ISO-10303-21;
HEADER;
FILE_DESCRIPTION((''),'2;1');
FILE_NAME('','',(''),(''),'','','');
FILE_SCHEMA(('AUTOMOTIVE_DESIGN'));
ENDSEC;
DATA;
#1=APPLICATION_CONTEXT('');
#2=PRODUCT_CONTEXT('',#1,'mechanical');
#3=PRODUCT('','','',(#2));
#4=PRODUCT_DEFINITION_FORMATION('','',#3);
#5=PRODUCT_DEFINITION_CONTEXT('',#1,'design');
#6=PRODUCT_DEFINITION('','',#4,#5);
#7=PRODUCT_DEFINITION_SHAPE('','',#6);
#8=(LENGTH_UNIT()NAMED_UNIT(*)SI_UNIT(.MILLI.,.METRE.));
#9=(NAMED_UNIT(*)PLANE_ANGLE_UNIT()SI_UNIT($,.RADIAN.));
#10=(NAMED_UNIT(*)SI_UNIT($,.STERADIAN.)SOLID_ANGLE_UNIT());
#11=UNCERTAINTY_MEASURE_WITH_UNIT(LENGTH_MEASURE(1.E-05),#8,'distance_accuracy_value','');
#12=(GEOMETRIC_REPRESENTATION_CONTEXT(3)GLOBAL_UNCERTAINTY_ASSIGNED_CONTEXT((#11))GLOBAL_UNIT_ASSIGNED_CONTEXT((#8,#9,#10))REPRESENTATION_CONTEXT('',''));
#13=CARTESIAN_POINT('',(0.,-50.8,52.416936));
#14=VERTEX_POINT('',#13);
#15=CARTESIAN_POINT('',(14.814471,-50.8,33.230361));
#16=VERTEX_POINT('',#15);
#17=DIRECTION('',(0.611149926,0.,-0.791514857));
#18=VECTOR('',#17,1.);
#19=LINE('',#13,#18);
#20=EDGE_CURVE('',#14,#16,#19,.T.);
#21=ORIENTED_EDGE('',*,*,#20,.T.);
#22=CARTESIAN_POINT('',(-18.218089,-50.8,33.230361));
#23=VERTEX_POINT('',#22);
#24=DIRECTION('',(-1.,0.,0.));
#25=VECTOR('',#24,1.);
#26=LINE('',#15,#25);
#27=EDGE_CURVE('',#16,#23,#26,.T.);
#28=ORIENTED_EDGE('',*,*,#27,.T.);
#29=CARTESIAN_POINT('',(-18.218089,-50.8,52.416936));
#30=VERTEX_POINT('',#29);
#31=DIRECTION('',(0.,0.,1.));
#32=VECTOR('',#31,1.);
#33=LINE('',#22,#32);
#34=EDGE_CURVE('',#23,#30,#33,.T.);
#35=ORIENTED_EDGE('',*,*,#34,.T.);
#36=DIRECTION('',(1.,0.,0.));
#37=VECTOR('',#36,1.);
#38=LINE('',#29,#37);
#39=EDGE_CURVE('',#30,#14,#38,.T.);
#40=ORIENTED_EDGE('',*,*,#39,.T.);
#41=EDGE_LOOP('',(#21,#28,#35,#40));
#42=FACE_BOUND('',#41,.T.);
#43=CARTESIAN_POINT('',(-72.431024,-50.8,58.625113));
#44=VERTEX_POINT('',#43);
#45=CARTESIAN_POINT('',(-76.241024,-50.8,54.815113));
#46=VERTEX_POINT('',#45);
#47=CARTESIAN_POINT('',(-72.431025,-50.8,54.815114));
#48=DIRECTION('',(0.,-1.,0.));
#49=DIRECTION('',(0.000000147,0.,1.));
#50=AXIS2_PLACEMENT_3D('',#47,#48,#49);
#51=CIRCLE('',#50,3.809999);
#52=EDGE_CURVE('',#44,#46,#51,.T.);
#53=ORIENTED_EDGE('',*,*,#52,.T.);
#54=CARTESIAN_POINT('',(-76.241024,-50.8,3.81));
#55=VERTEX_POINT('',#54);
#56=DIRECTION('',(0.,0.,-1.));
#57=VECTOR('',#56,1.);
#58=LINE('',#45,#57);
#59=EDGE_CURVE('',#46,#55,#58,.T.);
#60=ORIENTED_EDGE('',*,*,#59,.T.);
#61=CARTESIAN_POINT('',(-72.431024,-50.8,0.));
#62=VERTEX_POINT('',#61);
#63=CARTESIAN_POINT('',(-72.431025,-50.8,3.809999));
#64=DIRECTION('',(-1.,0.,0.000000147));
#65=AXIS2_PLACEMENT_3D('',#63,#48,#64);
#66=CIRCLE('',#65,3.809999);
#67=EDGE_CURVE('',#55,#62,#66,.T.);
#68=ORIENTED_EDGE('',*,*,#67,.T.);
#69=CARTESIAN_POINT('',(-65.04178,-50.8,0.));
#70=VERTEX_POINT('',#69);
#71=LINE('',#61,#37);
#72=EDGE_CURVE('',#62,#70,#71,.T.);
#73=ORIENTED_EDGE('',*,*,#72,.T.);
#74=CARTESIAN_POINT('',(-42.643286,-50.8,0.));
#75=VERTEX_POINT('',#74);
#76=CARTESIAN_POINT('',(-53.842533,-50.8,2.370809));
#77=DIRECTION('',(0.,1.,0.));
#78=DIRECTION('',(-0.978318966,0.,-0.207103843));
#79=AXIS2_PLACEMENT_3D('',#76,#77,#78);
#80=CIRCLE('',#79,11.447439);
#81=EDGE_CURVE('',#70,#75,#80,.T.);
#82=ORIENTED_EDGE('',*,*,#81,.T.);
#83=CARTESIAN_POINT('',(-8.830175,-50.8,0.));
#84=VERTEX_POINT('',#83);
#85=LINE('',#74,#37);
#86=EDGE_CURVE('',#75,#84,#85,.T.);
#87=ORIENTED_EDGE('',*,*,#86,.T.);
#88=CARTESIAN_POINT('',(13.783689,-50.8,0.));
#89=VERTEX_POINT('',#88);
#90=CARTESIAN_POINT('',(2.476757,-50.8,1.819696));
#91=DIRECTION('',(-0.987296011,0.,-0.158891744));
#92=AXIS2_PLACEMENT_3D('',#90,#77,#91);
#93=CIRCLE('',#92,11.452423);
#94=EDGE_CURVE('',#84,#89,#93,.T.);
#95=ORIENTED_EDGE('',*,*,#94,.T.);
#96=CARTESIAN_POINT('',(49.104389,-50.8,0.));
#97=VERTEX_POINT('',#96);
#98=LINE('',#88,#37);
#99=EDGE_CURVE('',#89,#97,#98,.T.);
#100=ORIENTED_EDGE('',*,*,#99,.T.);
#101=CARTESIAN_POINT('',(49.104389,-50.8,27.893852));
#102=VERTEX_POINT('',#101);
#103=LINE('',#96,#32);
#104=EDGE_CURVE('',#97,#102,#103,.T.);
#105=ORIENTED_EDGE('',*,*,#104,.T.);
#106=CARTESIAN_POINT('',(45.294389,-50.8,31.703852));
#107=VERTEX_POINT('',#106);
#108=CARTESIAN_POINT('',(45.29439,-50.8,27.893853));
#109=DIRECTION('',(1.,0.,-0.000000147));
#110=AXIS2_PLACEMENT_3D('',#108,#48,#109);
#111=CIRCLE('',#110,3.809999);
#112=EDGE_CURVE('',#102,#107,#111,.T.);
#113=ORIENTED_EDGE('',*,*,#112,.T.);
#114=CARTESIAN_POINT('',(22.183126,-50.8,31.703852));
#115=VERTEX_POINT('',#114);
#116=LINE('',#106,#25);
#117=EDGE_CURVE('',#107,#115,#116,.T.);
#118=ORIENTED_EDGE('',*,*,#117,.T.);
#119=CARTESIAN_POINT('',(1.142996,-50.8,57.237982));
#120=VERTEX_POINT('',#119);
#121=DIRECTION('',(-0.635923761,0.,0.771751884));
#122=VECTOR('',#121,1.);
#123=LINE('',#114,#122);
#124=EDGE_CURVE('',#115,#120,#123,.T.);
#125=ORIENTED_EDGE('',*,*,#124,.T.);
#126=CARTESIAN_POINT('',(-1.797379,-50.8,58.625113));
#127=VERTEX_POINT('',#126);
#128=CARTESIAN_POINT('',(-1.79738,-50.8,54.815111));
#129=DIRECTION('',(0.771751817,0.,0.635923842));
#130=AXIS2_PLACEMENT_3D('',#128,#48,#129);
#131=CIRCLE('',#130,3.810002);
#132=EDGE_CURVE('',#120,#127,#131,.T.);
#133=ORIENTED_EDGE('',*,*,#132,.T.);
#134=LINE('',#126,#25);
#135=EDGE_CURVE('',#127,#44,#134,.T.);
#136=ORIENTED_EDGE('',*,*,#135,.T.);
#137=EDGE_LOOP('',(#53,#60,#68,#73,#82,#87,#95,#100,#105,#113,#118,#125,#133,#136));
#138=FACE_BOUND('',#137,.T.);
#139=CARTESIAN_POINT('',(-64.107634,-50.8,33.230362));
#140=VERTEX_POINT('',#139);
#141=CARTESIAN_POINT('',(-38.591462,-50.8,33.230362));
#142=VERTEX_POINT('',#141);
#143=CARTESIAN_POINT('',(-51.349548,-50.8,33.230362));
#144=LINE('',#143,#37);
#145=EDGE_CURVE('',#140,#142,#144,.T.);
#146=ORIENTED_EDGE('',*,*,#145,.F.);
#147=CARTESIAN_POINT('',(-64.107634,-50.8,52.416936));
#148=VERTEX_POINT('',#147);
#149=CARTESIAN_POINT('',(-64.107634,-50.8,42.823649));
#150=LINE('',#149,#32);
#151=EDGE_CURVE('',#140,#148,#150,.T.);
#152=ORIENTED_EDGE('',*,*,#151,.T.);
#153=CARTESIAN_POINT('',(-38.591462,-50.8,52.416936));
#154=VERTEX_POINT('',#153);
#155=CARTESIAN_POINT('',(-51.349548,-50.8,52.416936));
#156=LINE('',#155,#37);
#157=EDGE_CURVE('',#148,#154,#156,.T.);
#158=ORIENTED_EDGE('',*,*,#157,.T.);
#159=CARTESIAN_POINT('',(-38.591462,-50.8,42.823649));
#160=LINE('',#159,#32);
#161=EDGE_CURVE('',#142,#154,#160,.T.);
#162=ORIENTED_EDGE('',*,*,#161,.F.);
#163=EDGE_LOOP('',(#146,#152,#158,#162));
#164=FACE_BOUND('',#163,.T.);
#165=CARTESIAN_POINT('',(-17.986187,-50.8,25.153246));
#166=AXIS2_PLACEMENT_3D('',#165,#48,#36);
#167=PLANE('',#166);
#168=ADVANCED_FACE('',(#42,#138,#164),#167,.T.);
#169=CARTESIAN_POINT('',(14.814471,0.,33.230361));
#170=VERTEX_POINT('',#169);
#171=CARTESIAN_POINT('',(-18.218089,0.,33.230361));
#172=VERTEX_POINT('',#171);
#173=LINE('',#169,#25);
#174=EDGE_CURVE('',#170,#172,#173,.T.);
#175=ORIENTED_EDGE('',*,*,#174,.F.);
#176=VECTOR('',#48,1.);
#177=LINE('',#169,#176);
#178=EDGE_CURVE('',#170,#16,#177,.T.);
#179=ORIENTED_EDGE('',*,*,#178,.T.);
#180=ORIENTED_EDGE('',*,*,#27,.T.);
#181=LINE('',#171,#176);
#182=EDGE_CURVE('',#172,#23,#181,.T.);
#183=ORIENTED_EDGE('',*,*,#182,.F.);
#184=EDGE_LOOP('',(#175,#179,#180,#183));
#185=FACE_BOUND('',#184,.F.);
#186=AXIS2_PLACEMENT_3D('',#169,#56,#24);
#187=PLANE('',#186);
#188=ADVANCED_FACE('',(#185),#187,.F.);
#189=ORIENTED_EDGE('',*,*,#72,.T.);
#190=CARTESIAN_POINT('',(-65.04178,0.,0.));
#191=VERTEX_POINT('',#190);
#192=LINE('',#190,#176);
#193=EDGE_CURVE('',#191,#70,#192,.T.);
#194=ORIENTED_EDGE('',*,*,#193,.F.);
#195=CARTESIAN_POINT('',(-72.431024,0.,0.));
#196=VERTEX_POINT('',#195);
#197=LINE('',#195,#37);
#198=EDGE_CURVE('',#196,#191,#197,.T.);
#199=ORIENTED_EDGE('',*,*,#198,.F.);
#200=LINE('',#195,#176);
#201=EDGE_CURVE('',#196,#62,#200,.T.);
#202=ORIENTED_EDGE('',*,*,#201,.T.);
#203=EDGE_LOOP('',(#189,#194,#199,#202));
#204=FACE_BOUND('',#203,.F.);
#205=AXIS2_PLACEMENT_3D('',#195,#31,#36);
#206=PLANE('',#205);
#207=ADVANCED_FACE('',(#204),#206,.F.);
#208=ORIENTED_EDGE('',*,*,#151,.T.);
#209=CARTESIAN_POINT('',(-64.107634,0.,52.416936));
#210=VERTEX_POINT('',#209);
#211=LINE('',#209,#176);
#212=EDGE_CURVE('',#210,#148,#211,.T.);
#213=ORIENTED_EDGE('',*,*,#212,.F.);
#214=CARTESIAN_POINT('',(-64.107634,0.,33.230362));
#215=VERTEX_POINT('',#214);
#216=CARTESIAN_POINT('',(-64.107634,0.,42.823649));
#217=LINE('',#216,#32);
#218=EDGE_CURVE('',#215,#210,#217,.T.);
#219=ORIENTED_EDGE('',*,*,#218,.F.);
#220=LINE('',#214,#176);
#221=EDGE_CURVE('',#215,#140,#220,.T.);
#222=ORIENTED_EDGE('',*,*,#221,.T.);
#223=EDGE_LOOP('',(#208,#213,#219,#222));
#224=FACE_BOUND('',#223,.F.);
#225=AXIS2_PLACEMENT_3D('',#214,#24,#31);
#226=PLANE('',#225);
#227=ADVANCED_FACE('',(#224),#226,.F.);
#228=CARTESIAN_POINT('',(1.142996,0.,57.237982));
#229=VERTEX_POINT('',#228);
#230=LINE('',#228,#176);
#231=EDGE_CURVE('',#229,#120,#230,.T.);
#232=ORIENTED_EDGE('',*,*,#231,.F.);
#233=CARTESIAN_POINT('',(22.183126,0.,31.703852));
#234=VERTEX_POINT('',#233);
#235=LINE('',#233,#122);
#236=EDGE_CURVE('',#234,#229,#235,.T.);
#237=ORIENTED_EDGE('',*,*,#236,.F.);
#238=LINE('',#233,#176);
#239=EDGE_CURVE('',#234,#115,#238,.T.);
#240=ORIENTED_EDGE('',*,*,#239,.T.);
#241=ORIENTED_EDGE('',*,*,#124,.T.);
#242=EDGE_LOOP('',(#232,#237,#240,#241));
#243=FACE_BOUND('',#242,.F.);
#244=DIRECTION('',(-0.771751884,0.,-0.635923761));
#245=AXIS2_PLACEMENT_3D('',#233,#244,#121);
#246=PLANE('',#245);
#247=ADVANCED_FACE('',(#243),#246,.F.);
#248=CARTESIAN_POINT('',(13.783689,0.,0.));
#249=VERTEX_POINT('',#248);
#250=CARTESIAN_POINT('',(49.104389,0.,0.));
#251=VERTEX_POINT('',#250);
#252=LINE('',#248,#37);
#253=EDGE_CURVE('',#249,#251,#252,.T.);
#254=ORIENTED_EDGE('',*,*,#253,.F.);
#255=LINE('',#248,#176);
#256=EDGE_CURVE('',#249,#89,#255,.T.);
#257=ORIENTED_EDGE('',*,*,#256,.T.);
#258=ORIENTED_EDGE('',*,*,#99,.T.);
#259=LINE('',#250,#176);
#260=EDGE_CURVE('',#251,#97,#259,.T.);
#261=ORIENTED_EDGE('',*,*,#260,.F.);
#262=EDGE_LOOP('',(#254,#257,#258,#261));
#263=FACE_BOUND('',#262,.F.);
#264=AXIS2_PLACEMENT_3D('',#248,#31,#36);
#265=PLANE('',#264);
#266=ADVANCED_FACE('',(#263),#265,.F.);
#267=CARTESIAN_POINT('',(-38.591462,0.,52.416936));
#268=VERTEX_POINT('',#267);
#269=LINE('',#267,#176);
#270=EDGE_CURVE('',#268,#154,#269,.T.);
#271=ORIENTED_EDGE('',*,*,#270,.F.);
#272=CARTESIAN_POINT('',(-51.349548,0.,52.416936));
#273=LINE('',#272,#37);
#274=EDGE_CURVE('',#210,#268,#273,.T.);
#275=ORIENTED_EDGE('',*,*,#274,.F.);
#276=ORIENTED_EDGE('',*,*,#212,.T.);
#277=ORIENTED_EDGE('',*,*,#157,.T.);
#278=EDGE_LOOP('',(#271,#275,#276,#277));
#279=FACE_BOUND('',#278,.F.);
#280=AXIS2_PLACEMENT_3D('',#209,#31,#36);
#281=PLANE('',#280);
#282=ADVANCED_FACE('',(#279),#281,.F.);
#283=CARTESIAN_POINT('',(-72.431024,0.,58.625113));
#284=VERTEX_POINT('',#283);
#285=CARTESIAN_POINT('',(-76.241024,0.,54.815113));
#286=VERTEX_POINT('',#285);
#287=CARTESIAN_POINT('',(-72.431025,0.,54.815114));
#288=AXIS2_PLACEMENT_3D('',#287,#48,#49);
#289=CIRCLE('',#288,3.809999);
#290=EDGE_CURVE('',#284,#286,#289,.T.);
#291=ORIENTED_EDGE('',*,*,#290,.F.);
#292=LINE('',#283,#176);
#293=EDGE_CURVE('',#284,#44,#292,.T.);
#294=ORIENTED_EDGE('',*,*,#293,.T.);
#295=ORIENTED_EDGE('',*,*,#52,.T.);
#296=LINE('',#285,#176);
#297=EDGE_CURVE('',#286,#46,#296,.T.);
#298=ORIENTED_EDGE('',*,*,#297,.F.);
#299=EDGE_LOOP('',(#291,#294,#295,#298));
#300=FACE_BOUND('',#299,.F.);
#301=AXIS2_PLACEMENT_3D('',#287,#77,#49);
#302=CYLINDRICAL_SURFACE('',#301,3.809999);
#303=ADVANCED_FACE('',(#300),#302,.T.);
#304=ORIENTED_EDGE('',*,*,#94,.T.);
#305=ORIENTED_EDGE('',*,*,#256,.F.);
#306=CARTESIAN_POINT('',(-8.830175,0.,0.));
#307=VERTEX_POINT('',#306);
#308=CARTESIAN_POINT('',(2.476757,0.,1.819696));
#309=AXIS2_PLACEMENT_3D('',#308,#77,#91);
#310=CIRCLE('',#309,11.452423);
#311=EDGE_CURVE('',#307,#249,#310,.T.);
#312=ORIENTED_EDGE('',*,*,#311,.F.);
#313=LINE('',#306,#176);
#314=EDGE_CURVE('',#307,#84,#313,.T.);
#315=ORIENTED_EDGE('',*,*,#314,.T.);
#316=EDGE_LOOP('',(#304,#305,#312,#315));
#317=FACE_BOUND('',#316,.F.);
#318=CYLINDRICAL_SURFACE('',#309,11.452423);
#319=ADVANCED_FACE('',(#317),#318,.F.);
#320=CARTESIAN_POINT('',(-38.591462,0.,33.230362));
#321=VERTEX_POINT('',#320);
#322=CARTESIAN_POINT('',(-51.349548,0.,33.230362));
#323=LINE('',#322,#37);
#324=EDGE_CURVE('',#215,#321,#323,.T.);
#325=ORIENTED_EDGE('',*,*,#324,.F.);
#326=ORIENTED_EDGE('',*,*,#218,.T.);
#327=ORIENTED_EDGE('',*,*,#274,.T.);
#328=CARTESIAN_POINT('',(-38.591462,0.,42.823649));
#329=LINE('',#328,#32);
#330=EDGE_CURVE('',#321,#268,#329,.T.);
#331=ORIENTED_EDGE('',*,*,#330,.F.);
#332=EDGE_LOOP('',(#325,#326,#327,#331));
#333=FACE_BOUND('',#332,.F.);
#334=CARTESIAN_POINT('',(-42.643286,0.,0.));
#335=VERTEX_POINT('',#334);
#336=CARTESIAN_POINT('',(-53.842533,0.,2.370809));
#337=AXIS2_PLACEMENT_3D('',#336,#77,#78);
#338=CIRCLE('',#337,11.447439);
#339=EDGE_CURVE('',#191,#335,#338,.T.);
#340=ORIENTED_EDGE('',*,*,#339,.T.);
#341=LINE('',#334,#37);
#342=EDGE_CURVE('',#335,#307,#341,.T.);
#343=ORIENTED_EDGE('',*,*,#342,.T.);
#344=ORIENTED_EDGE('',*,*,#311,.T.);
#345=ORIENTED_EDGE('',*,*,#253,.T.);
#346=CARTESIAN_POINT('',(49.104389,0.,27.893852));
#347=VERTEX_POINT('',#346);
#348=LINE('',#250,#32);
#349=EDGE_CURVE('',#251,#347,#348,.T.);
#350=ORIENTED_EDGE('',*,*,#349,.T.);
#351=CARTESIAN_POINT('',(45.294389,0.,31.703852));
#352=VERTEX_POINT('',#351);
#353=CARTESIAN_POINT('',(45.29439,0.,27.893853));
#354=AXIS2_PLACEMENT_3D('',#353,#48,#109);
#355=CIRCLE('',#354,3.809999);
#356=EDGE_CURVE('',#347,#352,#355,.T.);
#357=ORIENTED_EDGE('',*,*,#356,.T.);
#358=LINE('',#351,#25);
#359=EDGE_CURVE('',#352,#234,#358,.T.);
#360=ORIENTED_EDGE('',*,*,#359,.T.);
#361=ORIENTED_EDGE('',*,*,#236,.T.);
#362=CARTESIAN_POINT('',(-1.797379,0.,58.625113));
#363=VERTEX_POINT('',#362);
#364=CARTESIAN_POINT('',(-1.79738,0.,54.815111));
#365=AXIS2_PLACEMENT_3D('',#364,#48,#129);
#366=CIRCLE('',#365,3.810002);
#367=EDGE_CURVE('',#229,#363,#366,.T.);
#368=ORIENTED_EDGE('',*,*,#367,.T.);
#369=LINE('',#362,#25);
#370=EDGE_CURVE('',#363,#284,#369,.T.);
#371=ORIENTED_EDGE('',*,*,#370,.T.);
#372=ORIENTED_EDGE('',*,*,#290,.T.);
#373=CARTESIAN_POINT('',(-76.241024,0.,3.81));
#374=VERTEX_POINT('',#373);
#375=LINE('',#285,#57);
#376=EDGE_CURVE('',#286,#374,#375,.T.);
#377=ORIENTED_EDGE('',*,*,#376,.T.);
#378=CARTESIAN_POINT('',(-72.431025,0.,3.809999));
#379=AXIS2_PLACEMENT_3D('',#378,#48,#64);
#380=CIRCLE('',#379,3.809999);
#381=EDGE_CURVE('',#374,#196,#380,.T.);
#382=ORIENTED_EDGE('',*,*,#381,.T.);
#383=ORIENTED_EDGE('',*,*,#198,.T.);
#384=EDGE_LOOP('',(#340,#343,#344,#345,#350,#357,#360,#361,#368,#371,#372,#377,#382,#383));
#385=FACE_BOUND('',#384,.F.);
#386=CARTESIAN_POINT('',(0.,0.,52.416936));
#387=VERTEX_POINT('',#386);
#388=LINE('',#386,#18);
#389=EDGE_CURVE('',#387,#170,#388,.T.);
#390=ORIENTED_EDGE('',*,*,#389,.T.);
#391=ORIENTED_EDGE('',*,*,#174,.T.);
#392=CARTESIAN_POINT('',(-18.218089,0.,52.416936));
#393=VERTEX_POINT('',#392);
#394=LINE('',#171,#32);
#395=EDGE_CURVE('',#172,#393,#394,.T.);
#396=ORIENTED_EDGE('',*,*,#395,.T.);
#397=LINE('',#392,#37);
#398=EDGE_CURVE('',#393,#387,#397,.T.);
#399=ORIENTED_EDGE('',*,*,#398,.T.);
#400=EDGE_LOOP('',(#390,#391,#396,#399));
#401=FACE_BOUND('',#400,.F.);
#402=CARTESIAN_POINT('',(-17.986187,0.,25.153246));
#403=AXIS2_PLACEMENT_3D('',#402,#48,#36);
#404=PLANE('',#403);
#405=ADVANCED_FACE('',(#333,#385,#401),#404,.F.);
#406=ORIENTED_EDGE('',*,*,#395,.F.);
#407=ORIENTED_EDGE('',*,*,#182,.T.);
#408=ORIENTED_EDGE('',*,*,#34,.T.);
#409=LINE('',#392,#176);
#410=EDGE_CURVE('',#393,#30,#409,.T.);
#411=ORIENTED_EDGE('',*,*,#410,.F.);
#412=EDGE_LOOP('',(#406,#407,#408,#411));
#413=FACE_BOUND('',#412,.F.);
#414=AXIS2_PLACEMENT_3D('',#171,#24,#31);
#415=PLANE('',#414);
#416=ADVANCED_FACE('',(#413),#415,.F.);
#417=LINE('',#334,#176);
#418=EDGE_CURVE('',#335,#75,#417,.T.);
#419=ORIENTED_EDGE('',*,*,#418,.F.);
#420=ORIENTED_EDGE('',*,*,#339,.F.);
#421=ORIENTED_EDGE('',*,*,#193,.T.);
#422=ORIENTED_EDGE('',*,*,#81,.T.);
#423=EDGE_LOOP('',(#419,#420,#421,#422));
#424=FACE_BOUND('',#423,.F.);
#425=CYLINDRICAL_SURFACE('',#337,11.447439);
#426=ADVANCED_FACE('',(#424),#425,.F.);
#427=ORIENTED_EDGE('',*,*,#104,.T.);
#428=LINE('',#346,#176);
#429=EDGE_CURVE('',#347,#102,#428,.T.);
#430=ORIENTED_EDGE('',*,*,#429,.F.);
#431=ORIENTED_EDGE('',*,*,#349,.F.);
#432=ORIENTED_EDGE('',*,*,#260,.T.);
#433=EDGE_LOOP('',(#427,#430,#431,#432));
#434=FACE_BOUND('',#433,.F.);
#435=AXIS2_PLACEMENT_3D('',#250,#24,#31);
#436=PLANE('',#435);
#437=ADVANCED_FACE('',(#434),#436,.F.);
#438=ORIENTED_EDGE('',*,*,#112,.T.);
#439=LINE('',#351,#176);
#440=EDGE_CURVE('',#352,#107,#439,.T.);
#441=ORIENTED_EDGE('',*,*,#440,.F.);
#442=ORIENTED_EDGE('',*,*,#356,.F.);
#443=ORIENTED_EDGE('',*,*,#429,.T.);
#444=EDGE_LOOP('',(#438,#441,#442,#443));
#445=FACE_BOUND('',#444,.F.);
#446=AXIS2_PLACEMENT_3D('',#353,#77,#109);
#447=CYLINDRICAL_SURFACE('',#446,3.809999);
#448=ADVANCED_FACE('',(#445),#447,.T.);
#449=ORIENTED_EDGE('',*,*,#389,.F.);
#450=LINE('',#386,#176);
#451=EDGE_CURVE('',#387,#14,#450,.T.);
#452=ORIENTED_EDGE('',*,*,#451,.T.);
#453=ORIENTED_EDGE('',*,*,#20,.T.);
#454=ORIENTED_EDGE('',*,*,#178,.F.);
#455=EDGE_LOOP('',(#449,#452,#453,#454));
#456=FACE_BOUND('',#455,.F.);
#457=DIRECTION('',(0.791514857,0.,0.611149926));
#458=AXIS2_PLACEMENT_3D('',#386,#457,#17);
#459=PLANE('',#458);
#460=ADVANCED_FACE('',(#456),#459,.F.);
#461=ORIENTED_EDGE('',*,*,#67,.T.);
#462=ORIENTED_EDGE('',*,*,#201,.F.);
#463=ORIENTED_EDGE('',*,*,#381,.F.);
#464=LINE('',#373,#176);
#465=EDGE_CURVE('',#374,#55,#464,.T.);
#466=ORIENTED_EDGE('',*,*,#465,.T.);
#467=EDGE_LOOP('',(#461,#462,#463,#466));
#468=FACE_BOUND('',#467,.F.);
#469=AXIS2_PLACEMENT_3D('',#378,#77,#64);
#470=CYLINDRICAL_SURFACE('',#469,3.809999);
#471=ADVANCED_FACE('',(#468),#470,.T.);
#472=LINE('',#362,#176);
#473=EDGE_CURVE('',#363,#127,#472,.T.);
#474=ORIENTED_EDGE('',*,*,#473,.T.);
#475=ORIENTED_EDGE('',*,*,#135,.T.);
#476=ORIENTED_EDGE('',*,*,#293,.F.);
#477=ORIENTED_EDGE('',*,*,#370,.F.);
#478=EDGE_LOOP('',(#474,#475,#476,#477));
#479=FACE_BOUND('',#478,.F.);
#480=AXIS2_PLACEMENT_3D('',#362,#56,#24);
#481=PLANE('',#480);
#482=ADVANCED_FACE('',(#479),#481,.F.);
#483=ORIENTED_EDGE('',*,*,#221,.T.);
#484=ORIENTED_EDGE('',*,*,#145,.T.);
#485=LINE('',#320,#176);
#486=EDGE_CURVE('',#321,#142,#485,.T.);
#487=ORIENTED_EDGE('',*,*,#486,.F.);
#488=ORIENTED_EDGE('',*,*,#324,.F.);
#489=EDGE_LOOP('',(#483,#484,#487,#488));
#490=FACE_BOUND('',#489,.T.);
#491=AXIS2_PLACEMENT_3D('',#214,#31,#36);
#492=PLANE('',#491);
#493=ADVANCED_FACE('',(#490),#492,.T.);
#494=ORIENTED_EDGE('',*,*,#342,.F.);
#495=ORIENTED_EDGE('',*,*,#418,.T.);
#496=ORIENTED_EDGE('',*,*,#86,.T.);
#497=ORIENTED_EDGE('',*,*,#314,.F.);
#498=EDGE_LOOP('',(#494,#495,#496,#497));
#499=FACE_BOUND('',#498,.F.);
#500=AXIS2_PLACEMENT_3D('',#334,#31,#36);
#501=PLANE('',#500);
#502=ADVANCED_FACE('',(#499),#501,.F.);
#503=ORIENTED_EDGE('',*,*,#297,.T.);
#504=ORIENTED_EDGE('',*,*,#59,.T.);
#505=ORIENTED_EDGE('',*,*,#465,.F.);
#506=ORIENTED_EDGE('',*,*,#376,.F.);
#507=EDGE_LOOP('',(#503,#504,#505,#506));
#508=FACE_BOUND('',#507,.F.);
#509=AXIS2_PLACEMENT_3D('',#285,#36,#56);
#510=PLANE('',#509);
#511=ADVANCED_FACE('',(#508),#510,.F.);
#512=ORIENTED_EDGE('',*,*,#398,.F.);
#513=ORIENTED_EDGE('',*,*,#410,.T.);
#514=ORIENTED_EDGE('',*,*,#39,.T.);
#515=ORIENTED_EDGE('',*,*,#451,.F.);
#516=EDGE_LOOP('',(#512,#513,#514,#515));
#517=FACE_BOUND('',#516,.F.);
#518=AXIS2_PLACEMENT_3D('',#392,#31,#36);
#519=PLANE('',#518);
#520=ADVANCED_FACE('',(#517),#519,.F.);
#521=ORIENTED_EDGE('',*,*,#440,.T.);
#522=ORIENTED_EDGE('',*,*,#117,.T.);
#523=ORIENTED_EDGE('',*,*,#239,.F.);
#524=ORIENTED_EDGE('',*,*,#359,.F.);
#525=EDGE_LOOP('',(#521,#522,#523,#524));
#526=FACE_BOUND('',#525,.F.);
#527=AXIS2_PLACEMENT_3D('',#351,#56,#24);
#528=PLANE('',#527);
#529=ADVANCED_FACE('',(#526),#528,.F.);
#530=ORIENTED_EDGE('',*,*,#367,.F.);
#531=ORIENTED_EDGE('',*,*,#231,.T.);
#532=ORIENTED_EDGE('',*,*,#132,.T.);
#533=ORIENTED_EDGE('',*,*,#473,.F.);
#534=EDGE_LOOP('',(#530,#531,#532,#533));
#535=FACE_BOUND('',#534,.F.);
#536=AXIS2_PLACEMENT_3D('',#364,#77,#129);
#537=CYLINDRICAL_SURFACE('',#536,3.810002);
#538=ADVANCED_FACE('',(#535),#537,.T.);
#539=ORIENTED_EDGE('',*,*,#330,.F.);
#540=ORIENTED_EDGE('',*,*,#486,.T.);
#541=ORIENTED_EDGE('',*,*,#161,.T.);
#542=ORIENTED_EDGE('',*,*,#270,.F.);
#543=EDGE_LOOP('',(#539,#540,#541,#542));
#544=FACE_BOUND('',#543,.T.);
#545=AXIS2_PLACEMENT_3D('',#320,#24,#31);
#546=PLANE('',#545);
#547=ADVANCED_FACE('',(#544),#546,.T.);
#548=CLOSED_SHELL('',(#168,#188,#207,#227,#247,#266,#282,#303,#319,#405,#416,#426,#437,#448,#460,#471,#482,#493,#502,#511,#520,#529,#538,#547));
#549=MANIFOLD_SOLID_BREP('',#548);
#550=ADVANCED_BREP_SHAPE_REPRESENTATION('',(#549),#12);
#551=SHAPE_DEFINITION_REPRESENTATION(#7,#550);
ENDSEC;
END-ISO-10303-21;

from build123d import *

# Parameters (mm, degrees)
F0_W     = 25.516171
F0_H     = 19.186575
F1_DEPTH = 50.8


with BuildPart() as f1:
    # F0 (on Front) → F1 (new body)
    with BuildSketch(Plane.XZ):
        with BuildLine():
            ThreePointArc((-72.431024, 58.625113), (-75.125101, 57.50919), (-76.241024, 54.815113))
            Line((-76.241024, 54.815113), (-76.241024, 3.81))
            ThreePointArc((-76.241024, 3.81), (-75.125101, 1.115923), (-72.431024, 0))
            Line((-72.431024, 0), (-65.04178, 0))
            ThreePointArc((-65.04178, 0), (-53.842533, 13.818248), (-42.643286, 0))
            Line((-42.643286, 0), (-8.830175, 0))
            ThreePointArc((-8.830175, 0), (2.476757, 13.272119), (13.783689, 0))
            Line((13.783689, 0), (49.104389, 0))
            Line((49.104389, 0), (49.104389, 27.893852))
            ThreePointArc((49.104389, 27.893852), (47.988466, 30.587929), (45.294389, 31.703852))
            Line((45.294389, 31.703852), (22.183126, 31.703852))
            Line((22.183126, 31.703852), (1.142996, 57.237982))
            ThreePointArc((1.142996, 57.237982), (-0.171807, 58.260924), (-1.797379, 58.625113))
            Line((-1.797379, 58.625113), (-72.431024, 58.625113))
        make_face()
        with Locations((-51.349548, 42.823649)):
            Rectangle(F0_W, F0_H, mode=Mode.SUBTRACT)
        Polygon((-18.218089, 33.230361), (-18.218089, 52.416936), (0, 52.416936), (14.814471, 33.230361), align=None, mode=Mode.SUBTRACT)
    extrude(amount=F1_DEPTH)


solid = f1.part
